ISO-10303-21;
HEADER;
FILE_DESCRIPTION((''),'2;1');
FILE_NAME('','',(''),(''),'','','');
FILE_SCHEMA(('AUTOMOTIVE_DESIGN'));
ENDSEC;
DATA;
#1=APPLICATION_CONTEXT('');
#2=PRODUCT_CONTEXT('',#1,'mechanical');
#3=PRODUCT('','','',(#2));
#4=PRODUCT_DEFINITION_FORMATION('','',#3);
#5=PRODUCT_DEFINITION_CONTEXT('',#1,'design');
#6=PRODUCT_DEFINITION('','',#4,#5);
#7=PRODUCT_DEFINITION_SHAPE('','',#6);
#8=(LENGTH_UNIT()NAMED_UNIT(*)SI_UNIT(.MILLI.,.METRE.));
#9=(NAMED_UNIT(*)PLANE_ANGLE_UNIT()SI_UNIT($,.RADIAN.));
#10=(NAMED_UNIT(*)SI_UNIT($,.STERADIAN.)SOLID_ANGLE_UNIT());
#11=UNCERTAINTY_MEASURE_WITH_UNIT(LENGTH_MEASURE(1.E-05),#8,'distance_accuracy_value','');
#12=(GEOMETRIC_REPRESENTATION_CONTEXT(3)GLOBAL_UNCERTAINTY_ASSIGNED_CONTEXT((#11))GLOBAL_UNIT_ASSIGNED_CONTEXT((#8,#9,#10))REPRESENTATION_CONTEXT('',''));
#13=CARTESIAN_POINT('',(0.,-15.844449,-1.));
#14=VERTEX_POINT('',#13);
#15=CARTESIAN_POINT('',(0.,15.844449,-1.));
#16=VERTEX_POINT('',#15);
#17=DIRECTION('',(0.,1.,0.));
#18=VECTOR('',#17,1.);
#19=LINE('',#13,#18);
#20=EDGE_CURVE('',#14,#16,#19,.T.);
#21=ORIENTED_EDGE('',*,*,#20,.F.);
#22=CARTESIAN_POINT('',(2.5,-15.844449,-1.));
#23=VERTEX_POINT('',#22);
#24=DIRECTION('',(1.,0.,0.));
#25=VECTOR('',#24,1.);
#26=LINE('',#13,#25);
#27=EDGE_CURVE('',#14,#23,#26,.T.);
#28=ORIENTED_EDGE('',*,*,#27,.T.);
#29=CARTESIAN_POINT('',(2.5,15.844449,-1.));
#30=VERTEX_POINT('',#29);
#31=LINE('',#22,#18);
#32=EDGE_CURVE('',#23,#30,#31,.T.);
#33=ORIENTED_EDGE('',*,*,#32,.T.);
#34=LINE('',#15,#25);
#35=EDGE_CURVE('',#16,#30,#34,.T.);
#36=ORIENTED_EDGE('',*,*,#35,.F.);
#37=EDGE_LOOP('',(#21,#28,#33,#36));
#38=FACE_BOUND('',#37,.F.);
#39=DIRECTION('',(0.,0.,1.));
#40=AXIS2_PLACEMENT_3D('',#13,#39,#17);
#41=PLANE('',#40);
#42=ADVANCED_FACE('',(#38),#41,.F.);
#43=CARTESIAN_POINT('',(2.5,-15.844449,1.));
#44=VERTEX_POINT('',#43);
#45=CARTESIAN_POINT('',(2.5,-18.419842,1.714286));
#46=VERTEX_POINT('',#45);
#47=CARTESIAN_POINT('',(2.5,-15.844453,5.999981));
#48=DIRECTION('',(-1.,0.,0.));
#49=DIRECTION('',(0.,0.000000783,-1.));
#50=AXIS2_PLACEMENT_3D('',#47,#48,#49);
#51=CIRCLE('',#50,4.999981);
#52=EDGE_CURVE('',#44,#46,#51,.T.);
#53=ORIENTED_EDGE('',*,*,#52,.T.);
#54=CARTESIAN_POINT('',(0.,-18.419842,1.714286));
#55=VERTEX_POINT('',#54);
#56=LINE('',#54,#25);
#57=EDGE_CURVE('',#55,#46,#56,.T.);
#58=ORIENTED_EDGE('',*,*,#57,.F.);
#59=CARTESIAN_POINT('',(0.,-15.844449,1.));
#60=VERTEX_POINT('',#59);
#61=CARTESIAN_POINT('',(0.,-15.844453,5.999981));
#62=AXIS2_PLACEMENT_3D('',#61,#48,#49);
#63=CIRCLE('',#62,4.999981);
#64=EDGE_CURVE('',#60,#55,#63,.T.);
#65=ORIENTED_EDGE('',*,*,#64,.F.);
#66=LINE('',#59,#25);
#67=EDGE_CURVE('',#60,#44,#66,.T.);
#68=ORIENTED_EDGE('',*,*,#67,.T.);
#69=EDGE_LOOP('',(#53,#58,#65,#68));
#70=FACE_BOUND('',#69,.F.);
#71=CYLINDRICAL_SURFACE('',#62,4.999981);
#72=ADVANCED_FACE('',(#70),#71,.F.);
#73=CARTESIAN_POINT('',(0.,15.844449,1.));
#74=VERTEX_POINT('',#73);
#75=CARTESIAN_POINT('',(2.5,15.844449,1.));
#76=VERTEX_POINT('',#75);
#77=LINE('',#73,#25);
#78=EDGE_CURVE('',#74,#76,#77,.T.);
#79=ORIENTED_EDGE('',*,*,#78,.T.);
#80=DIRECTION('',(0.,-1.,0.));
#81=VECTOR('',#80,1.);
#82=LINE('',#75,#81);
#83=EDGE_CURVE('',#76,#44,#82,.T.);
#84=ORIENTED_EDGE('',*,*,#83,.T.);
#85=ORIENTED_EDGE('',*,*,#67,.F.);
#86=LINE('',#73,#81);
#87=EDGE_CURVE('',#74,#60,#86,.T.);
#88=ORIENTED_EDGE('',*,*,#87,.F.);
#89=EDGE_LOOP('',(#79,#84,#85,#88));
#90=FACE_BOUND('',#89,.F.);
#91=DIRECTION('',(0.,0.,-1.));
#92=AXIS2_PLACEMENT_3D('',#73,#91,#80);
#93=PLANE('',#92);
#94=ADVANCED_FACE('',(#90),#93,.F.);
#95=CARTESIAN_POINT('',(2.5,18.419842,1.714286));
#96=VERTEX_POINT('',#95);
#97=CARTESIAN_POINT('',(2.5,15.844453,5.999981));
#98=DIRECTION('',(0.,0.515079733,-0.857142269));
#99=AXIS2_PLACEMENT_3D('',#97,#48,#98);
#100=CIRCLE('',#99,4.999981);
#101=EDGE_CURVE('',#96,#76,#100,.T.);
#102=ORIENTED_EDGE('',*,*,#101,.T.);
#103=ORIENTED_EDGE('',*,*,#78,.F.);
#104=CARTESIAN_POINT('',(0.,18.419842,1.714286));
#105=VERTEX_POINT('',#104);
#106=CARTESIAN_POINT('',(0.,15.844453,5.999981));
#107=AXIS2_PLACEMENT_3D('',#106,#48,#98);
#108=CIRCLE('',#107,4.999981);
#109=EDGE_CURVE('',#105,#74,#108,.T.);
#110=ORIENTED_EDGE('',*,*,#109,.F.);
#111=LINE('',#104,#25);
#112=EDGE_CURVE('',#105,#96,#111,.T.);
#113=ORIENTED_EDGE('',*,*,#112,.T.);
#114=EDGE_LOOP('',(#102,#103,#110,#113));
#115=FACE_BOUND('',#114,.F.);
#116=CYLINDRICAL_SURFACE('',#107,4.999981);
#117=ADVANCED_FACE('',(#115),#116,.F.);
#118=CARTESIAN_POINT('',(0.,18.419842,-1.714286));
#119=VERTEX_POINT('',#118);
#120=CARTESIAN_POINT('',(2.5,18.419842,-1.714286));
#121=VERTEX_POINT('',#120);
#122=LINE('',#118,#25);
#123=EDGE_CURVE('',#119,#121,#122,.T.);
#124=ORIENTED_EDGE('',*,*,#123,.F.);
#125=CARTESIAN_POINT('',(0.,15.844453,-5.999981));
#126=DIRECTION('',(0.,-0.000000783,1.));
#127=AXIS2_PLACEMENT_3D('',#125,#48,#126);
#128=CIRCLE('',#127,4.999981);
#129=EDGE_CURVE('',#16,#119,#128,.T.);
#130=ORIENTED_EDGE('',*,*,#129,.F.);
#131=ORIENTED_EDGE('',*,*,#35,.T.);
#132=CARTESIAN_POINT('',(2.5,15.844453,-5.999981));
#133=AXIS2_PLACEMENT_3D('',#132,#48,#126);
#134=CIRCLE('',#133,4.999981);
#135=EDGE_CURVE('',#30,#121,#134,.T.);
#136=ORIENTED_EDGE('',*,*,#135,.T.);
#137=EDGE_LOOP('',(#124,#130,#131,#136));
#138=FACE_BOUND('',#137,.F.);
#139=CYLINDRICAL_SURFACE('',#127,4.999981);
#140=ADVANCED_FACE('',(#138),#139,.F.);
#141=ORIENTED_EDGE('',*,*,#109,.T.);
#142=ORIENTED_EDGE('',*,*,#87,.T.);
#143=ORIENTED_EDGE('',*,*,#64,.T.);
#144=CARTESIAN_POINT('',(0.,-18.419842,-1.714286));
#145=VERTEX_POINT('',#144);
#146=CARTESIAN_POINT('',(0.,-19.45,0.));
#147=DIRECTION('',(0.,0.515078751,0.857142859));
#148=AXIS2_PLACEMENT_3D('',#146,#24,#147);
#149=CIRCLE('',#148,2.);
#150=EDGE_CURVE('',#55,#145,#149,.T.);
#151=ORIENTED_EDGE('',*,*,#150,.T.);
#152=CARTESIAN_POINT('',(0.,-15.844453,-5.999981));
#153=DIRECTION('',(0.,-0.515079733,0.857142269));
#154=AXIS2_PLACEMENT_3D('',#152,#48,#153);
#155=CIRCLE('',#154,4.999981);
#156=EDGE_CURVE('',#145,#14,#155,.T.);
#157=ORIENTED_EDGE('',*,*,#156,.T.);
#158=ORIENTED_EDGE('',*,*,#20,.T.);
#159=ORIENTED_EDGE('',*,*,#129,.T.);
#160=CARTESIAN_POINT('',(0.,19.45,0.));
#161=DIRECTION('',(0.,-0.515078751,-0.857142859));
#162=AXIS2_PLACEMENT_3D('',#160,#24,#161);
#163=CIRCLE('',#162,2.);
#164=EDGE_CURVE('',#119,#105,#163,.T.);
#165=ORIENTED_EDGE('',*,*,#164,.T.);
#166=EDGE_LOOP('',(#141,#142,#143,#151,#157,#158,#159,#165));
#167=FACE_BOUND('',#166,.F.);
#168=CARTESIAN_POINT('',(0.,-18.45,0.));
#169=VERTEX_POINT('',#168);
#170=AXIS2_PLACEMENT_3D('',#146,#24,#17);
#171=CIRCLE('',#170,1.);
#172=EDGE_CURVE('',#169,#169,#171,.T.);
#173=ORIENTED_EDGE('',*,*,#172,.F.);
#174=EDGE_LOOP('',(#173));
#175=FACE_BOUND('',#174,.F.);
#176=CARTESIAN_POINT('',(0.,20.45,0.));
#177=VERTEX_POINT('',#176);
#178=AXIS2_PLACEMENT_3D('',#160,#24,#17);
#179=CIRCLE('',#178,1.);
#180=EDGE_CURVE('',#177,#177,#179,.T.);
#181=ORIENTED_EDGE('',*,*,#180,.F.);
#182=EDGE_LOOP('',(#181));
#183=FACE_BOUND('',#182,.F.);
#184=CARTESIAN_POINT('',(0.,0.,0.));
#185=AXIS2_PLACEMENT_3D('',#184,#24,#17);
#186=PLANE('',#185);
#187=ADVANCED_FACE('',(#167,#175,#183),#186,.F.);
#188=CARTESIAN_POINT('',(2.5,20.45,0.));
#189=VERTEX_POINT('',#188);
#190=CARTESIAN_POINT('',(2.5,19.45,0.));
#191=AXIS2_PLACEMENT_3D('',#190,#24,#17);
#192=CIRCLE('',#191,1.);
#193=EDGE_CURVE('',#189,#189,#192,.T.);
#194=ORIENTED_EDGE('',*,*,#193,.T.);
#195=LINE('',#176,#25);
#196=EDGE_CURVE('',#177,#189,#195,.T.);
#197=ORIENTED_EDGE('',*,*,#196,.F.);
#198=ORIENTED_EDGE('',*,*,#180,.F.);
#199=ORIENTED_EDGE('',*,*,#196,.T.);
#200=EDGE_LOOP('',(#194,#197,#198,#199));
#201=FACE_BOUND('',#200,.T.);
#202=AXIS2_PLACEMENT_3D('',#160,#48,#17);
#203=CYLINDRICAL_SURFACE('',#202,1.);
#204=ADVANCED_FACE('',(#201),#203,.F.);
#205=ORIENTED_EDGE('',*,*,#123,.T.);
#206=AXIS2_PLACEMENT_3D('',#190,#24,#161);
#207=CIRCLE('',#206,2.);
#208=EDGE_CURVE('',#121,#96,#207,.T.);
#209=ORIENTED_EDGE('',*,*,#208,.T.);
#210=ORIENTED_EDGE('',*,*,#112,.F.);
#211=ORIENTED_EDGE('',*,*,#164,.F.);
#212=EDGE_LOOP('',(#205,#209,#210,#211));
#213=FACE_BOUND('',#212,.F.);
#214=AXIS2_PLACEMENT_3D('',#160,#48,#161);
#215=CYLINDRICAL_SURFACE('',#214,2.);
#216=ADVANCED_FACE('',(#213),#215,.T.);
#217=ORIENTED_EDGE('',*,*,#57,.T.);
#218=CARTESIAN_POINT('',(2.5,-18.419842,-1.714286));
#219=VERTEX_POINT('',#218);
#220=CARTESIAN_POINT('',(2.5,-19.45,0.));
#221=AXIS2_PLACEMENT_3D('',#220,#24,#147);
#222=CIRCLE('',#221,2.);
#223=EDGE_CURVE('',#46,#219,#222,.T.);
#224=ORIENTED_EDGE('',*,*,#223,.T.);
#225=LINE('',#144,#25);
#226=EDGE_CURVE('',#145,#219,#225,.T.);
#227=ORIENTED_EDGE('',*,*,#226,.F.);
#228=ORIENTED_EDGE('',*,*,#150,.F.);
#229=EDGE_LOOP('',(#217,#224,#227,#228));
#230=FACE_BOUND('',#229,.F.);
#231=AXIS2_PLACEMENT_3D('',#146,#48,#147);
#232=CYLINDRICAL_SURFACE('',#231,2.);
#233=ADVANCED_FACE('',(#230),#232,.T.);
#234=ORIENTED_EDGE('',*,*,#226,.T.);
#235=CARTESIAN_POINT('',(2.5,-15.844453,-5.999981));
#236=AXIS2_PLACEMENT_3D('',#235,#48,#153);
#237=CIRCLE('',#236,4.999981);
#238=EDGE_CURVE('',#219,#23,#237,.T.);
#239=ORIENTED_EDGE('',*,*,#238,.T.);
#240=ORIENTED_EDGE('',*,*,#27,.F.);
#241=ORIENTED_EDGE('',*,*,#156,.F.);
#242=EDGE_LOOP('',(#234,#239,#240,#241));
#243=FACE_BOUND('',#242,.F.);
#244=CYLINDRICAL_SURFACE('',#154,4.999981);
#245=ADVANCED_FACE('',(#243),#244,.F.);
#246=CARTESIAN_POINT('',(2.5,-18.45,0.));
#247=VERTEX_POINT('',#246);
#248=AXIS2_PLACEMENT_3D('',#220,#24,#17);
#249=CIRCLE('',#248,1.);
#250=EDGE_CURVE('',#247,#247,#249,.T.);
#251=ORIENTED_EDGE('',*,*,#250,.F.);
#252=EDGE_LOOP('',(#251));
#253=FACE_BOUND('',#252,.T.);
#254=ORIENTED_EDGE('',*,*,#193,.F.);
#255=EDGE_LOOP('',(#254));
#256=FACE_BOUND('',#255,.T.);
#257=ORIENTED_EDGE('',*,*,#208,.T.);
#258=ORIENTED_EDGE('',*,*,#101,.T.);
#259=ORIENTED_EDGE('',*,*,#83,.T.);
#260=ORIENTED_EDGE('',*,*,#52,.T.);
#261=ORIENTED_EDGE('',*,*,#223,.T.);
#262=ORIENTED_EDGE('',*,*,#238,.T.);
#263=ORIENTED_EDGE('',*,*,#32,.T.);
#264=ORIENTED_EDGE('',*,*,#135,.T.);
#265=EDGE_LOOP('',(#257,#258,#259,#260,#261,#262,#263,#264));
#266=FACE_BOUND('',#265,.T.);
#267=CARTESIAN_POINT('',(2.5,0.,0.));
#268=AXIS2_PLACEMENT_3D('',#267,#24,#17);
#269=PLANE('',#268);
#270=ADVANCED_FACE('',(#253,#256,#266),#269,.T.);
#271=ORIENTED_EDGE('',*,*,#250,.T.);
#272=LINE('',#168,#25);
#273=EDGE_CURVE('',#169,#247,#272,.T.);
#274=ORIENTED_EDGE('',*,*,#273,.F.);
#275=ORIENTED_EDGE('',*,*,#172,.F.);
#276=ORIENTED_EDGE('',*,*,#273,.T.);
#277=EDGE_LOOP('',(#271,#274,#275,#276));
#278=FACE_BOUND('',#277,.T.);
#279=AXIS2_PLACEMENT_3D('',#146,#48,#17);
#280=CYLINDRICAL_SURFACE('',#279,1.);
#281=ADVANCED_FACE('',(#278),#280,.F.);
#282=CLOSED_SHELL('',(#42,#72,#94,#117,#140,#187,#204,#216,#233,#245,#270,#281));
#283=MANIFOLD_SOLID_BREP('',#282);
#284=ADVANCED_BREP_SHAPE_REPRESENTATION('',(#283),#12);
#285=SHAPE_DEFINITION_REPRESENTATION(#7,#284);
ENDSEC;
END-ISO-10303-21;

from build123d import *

# Parameters (mm, degrees)
F0_R     = 1
F1_DEPTH = 2.5


with BuildPart() as f1:
    # F0 (on Right) → F1 (new body)
    with BuildSketch(Plane.YZ):
        with BuildLine():
            Line((-15.844449, -1), (15.844449, -1))
            ThreePointArc((15.844449, -1), (17.180755, -1.181879), (18.419842, -1.714286))
            ThreePointArc((18.419842, -1.714286), (21.45, 0), (18.419842, 1.714286))
            ThreePointArc((18.419842, 1.714286), (17.180755, 1.181879), (15.844449, 1))
            Line((15.844449, 1), (-15.844449, 1))
            ThreePointArc((-15.844449, 1), (-17.180755, 1.181879), (-18.419842, 1.714286))
            ThreePointArc((-18.419842, 1.714286), (-21.45, 0), (-18.419842, -1.714286))
            ThreePointArc((-18.419842, -1.714286), (-17.180755, -1.181879), (-15.844449, -1))
        make_face()
        with Locations((-19.45, 0)):
            Circle(F0_R, mode=Mode.SUBTRACT)
        with Locations((19.45, 0)):
            Circle(F0_R, mode=Mode.SUBTRACT)
    extrude(amount=F1_DEPTH)


solid = f1.part
